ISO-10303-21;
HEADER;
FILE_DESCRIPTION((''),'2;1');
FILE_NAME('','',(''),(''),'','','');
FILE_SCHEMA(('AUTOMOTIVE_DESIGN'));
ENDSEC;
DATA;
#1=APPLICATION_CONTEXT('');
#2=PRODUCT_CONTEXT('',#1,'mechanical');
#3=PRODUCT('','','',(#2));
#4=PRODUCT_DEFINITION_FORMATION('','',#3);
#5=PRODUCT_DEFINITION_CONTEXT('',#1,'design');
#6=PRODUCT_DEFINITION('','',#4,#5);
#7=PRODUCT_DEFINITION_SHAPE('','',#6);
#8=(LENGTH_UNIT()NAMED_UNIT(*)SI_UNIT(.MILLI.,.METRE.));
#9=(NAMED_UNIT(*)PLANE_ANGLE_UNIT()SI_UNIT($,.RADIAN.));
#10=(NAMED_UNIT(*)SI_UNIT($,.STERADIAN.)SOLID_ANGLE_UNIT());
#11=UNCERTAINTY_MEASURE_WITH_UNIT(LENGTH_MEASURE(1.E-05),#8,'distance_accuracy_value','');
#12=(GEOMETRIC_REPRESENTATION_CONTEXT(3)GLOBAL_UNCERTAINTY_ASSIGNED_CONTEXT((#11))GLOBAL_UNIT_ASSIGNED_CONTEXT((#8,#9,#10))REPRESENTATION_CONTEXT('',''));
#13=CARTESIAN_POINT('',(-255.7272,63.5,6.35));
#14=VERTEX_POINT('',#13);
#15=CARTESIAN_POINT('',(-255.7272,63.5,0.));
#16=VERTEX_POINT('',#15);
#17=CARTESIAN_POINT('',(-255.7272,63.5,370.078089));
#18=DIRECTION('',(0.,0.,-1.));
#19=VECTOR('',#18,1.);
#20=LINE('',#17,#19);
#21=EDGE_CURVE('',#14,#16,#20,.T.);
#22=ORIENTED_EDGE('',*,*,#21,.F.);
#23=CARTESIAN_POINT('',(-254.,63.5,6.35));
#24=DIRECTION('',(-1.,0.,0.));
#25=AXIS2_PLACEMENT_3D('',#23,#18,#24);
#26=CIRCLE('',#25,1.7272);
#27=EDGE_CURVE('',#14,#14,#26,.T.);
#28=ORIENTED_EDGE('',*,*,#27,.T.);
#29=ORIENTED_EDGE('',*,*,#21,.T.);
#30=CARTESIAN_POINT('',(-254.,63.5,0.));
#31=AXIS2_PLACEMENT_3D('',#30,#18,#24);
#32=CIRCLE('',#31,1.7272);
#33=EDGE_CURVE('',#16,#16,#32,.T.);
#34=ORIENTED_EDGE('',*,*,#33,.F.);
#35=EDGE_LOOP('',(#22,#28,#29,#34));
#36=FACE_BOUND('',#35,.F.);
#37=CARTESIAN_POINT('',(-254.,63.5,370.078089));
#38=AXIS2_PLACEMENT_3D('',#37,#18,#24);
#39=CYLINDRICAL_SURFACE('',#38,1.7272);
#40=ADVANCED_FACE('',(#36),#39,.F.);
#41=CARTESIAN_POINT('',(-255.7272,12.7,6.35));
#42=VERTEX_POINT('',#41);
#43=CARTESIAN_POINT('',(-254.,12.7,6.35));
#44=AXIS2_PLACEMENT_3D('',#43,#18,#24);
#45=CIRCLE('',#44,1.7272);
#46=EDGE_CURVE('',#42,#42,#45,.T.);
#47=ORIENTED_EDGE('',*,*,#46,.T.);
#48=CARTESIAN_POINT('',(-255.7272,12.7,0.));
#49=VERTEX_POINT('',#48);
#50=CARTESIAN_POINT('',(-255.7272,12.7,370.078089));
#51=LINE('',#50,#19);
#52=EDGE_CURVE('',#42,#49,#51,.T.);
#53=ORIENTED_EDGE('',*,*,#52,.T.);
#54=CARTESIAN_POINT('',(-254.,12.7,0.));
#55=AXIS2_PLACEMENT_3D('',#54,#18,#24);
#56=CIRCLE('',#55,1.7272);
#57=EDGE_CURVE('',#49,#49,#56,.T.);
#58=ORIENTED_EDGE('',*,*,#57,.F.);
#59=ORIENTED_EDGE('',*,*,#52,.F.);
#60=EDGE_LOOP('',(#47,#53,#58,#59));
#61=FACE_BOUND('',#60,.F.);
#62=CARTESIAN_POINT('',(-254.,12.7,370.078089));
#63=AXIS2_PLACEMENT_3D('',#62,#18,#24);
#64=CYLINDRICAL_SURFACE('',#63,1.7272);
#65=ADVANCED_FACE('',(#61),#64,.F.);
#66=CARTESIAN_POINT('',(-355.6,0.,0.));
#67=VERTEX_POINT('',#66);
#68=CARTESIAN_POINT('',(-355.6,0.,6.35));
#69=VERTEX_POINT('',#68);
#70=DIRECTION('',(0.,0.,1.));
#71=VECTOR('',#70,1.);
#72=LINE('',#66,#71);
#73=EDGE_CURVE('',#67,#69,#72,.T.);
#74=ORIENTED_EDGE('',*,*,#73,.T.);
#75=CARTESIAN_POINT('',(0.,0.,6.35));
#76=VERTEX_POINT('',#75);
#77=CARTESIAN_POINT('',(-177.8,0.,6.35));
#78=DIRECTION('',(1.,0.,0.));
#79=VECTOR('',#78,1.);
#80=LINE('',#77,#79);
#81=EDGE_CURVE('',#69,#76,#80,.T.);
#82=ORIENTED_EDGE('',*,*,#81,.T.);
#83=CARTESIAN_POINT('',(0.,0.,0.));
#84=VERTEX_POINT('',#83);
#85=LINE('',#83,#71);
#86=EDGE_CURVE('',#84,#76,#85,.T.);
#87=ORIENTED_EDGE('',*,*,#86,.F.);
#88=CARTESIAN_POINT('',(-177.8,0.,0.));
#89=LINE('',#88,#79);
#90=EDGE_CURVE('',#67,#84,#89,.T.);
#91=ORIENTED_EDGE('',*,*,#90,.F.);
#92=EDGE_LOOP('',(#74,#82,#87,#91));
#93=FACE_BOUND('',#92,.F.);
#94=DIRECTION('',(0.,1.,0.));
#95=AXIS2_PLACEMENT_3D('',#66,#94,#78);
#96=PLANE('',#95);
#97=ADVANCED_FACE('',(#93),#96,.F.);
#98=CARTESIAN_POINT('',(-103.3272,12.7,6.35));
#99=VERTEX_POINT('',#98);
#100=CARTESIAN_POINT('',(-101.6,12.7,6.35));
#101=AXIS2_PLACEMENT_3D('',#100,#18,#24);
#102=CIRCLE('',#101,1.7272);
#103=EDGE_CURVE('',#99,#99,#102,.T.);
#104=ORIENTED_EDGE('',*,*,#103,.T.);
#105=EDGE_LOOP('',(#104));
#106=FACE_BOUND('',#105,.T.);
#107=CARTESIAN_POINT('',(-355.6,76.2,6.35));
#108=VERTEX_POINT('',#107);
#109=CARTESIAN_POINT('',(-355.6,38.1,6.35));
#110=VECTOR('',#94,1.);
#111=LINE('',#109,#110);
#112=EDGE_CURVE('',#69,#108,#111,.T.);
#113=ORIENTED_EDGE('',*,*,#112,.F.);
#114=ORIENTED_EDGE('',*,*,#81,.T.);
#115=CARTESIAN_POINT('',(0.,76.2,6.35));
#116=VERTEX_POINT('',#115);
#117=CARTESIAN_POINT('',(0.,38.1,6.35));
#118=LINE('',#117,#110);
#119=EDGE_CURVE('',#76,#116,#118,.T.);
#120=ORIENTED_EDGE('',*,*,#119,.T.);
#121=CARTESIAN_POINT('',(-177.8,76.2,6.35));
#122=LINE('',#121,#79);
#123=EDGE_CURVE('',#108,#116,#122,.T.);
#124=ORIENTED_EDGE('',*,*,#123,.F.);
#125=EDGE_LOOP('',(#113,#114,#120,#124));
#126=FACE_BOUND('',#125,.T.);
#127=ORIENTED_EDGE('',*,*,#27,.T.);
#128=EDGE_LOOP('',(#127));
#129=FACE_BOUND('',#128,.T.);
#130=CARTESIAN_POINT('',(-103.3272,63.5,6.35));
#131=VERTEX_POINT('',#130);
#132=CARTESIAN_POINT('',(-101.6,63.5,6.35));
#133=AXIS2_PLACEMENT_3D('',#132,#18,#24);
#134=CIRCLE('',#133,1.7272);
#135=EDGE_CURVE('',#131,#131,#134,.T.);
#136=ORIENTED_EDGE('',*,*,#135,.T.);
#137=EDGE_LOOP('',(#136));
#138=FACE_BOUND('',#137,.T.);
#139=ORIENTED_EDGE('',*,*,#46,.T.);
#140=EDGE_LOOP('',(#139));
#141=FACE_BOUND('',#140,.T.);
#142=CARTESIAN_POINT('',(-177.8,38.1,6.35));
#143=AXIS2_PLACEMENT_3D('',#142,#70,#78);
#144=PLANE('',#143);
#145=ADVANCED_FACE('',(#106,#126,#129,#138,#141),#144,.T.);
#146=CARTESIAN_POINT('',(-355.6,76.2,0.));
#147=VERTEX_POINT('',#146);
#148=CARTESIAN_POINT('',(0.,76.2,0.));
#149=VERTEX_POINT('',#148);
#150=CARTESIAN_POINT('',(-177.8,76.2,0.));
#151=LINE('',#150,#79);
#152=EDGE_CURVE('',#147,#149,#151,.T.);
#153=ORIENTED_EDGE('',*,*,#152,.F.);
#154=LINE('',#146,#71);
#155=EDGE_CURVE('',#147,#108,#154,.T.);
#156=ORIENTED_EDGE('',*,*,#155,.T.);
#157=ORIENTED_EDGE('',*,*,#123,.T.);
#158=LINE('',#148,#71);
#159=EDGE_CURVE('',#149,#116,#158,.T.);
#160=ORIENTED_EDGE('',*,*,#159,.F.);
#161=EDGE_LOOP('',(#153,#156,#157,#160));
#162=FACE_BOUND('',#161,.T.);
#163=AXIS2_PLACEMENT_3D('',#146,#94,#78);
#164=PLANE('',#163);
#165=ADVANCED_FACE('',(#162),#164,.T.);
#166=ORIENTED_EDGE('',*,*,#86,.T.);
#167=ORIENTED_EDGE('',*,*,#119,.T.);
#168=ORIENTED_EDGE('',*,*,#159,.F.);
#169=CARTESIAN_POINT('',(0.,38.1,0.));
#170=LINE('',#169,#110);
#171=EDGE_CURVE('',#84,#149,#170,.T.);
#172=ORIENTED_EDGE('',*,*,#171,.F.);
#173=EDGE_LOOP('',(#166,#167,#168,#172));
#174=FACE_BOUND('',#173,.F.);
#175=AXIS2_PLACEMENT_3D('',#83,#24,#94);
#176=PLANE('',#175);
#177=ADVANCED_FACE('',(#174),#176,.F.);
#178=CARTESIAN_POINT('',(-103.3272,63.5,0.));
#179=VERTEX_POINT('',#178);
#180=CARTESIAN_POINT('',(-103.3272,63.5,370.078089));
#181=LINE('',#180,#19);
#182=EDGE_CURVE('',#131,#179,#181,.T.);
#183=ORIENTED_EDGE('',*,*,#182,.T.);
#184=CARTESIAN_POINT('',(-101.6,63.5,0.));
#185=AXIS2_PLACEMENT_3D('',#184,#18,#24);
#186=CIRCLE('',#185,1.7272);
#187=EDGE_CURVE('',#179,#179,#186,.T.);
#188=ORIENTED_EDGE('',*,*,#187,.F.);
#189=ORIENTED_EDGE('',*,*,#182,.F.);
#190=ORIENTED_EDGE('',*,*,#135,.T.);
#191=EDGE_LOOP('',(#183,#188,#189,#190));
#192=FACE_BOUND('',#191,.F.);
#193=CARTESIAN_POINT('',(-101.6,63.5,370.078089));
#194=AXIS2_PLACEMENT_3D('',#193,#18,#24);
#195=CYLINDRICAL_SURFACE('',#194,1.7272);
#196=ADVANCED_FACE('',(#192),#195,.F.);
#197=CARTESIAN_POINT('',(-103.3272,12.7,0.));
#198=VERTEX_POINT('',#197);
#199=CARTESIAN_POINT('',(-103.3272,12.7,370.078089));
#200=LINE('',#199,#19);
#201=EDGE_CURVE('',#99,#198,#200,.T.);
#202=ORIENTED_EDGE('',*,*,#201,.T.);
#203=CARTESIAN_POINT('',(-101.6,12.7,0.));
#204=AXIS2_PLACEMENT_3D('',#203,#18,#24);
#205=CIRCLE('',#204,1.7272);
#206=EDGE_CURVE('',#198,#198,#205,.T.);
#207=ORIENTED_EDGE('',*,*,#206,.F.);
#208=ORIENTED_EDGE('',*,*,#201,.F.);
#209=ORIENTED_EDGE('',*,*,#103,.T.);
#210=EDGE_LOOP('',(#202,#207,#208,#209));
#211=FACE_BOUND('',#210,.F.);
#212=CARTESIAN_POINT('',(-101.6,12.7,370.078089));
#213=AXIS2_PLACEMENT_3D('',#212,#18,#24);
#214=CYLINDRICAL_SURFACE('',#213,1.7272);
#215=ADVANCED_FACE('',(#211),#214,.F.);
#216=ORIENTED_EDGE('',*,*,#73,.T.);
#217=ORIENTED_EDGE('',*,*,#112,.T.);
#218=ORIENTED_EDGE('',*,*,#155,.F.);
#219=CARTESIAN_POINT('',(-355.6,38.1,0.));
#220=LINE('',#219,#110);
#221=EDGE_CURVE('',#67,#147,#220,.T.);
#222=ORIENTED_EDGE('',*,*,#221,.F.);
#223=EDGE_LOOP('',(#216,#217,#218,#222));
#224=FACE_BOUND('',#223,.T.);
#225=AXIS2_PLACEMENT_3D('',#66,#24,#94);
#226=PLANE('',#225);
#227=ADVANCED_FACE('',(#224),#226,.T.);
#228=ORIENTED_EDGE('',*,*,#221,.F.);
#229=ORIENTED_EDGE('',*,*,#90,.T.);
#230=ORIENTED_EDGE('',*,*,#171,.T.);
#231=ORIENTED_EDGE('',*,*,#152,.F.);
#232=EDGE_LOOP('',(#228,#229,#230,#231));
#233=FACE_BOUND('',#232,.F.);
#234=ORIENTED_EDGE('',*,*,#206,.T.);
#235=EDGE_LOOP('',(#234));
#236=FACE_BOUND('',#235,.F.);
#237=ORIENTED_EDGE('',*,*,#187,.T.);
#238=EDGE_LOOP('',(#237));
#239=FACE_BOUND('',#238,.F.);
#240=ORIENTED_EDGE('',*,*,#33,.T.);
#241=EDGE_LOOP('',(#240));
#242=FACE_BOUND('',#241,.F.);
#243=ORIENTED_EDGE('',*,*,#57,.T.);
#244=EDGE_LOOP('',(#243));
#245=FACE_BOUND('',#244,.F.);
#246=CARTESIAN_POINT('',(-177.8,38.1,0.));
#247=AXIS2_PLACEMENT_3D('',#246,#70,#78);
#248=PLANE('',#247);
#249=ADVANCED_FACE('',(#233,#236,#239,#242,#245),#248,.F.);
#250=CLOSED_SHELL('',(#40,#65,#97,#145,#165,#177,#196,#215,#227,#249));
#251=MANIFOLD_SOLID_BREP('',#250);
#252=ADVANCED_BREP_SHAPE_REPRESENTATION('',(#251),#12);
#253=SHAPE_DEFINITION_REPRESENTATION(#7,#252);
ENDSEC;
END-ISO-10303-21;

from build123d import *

# Parameters (mm, degrees)
F0_W     = 355.6
F0_H     = 76.2
F1_DEPTH = 6.35
F3_D     = 3.4544


with BuildPart() as f1:
    # F0 (on Top) → F1 (new body)
    with BuildSketch(Plane.XY):
        with Locations((-177.8, 38.1)):
            Rectangle(F0_W, F0_H)
    extrude(amount=F1_DEPTH)

    # F3 (through all)
    with Locations(Plane.XY.offset(6.35)):
        with Locations((-254, 63.5), (-254, 12.7), (-101.6, 12.7), (-101.6, 63.5)):
            Hole(F3_D / 2)


solid = f1.part
